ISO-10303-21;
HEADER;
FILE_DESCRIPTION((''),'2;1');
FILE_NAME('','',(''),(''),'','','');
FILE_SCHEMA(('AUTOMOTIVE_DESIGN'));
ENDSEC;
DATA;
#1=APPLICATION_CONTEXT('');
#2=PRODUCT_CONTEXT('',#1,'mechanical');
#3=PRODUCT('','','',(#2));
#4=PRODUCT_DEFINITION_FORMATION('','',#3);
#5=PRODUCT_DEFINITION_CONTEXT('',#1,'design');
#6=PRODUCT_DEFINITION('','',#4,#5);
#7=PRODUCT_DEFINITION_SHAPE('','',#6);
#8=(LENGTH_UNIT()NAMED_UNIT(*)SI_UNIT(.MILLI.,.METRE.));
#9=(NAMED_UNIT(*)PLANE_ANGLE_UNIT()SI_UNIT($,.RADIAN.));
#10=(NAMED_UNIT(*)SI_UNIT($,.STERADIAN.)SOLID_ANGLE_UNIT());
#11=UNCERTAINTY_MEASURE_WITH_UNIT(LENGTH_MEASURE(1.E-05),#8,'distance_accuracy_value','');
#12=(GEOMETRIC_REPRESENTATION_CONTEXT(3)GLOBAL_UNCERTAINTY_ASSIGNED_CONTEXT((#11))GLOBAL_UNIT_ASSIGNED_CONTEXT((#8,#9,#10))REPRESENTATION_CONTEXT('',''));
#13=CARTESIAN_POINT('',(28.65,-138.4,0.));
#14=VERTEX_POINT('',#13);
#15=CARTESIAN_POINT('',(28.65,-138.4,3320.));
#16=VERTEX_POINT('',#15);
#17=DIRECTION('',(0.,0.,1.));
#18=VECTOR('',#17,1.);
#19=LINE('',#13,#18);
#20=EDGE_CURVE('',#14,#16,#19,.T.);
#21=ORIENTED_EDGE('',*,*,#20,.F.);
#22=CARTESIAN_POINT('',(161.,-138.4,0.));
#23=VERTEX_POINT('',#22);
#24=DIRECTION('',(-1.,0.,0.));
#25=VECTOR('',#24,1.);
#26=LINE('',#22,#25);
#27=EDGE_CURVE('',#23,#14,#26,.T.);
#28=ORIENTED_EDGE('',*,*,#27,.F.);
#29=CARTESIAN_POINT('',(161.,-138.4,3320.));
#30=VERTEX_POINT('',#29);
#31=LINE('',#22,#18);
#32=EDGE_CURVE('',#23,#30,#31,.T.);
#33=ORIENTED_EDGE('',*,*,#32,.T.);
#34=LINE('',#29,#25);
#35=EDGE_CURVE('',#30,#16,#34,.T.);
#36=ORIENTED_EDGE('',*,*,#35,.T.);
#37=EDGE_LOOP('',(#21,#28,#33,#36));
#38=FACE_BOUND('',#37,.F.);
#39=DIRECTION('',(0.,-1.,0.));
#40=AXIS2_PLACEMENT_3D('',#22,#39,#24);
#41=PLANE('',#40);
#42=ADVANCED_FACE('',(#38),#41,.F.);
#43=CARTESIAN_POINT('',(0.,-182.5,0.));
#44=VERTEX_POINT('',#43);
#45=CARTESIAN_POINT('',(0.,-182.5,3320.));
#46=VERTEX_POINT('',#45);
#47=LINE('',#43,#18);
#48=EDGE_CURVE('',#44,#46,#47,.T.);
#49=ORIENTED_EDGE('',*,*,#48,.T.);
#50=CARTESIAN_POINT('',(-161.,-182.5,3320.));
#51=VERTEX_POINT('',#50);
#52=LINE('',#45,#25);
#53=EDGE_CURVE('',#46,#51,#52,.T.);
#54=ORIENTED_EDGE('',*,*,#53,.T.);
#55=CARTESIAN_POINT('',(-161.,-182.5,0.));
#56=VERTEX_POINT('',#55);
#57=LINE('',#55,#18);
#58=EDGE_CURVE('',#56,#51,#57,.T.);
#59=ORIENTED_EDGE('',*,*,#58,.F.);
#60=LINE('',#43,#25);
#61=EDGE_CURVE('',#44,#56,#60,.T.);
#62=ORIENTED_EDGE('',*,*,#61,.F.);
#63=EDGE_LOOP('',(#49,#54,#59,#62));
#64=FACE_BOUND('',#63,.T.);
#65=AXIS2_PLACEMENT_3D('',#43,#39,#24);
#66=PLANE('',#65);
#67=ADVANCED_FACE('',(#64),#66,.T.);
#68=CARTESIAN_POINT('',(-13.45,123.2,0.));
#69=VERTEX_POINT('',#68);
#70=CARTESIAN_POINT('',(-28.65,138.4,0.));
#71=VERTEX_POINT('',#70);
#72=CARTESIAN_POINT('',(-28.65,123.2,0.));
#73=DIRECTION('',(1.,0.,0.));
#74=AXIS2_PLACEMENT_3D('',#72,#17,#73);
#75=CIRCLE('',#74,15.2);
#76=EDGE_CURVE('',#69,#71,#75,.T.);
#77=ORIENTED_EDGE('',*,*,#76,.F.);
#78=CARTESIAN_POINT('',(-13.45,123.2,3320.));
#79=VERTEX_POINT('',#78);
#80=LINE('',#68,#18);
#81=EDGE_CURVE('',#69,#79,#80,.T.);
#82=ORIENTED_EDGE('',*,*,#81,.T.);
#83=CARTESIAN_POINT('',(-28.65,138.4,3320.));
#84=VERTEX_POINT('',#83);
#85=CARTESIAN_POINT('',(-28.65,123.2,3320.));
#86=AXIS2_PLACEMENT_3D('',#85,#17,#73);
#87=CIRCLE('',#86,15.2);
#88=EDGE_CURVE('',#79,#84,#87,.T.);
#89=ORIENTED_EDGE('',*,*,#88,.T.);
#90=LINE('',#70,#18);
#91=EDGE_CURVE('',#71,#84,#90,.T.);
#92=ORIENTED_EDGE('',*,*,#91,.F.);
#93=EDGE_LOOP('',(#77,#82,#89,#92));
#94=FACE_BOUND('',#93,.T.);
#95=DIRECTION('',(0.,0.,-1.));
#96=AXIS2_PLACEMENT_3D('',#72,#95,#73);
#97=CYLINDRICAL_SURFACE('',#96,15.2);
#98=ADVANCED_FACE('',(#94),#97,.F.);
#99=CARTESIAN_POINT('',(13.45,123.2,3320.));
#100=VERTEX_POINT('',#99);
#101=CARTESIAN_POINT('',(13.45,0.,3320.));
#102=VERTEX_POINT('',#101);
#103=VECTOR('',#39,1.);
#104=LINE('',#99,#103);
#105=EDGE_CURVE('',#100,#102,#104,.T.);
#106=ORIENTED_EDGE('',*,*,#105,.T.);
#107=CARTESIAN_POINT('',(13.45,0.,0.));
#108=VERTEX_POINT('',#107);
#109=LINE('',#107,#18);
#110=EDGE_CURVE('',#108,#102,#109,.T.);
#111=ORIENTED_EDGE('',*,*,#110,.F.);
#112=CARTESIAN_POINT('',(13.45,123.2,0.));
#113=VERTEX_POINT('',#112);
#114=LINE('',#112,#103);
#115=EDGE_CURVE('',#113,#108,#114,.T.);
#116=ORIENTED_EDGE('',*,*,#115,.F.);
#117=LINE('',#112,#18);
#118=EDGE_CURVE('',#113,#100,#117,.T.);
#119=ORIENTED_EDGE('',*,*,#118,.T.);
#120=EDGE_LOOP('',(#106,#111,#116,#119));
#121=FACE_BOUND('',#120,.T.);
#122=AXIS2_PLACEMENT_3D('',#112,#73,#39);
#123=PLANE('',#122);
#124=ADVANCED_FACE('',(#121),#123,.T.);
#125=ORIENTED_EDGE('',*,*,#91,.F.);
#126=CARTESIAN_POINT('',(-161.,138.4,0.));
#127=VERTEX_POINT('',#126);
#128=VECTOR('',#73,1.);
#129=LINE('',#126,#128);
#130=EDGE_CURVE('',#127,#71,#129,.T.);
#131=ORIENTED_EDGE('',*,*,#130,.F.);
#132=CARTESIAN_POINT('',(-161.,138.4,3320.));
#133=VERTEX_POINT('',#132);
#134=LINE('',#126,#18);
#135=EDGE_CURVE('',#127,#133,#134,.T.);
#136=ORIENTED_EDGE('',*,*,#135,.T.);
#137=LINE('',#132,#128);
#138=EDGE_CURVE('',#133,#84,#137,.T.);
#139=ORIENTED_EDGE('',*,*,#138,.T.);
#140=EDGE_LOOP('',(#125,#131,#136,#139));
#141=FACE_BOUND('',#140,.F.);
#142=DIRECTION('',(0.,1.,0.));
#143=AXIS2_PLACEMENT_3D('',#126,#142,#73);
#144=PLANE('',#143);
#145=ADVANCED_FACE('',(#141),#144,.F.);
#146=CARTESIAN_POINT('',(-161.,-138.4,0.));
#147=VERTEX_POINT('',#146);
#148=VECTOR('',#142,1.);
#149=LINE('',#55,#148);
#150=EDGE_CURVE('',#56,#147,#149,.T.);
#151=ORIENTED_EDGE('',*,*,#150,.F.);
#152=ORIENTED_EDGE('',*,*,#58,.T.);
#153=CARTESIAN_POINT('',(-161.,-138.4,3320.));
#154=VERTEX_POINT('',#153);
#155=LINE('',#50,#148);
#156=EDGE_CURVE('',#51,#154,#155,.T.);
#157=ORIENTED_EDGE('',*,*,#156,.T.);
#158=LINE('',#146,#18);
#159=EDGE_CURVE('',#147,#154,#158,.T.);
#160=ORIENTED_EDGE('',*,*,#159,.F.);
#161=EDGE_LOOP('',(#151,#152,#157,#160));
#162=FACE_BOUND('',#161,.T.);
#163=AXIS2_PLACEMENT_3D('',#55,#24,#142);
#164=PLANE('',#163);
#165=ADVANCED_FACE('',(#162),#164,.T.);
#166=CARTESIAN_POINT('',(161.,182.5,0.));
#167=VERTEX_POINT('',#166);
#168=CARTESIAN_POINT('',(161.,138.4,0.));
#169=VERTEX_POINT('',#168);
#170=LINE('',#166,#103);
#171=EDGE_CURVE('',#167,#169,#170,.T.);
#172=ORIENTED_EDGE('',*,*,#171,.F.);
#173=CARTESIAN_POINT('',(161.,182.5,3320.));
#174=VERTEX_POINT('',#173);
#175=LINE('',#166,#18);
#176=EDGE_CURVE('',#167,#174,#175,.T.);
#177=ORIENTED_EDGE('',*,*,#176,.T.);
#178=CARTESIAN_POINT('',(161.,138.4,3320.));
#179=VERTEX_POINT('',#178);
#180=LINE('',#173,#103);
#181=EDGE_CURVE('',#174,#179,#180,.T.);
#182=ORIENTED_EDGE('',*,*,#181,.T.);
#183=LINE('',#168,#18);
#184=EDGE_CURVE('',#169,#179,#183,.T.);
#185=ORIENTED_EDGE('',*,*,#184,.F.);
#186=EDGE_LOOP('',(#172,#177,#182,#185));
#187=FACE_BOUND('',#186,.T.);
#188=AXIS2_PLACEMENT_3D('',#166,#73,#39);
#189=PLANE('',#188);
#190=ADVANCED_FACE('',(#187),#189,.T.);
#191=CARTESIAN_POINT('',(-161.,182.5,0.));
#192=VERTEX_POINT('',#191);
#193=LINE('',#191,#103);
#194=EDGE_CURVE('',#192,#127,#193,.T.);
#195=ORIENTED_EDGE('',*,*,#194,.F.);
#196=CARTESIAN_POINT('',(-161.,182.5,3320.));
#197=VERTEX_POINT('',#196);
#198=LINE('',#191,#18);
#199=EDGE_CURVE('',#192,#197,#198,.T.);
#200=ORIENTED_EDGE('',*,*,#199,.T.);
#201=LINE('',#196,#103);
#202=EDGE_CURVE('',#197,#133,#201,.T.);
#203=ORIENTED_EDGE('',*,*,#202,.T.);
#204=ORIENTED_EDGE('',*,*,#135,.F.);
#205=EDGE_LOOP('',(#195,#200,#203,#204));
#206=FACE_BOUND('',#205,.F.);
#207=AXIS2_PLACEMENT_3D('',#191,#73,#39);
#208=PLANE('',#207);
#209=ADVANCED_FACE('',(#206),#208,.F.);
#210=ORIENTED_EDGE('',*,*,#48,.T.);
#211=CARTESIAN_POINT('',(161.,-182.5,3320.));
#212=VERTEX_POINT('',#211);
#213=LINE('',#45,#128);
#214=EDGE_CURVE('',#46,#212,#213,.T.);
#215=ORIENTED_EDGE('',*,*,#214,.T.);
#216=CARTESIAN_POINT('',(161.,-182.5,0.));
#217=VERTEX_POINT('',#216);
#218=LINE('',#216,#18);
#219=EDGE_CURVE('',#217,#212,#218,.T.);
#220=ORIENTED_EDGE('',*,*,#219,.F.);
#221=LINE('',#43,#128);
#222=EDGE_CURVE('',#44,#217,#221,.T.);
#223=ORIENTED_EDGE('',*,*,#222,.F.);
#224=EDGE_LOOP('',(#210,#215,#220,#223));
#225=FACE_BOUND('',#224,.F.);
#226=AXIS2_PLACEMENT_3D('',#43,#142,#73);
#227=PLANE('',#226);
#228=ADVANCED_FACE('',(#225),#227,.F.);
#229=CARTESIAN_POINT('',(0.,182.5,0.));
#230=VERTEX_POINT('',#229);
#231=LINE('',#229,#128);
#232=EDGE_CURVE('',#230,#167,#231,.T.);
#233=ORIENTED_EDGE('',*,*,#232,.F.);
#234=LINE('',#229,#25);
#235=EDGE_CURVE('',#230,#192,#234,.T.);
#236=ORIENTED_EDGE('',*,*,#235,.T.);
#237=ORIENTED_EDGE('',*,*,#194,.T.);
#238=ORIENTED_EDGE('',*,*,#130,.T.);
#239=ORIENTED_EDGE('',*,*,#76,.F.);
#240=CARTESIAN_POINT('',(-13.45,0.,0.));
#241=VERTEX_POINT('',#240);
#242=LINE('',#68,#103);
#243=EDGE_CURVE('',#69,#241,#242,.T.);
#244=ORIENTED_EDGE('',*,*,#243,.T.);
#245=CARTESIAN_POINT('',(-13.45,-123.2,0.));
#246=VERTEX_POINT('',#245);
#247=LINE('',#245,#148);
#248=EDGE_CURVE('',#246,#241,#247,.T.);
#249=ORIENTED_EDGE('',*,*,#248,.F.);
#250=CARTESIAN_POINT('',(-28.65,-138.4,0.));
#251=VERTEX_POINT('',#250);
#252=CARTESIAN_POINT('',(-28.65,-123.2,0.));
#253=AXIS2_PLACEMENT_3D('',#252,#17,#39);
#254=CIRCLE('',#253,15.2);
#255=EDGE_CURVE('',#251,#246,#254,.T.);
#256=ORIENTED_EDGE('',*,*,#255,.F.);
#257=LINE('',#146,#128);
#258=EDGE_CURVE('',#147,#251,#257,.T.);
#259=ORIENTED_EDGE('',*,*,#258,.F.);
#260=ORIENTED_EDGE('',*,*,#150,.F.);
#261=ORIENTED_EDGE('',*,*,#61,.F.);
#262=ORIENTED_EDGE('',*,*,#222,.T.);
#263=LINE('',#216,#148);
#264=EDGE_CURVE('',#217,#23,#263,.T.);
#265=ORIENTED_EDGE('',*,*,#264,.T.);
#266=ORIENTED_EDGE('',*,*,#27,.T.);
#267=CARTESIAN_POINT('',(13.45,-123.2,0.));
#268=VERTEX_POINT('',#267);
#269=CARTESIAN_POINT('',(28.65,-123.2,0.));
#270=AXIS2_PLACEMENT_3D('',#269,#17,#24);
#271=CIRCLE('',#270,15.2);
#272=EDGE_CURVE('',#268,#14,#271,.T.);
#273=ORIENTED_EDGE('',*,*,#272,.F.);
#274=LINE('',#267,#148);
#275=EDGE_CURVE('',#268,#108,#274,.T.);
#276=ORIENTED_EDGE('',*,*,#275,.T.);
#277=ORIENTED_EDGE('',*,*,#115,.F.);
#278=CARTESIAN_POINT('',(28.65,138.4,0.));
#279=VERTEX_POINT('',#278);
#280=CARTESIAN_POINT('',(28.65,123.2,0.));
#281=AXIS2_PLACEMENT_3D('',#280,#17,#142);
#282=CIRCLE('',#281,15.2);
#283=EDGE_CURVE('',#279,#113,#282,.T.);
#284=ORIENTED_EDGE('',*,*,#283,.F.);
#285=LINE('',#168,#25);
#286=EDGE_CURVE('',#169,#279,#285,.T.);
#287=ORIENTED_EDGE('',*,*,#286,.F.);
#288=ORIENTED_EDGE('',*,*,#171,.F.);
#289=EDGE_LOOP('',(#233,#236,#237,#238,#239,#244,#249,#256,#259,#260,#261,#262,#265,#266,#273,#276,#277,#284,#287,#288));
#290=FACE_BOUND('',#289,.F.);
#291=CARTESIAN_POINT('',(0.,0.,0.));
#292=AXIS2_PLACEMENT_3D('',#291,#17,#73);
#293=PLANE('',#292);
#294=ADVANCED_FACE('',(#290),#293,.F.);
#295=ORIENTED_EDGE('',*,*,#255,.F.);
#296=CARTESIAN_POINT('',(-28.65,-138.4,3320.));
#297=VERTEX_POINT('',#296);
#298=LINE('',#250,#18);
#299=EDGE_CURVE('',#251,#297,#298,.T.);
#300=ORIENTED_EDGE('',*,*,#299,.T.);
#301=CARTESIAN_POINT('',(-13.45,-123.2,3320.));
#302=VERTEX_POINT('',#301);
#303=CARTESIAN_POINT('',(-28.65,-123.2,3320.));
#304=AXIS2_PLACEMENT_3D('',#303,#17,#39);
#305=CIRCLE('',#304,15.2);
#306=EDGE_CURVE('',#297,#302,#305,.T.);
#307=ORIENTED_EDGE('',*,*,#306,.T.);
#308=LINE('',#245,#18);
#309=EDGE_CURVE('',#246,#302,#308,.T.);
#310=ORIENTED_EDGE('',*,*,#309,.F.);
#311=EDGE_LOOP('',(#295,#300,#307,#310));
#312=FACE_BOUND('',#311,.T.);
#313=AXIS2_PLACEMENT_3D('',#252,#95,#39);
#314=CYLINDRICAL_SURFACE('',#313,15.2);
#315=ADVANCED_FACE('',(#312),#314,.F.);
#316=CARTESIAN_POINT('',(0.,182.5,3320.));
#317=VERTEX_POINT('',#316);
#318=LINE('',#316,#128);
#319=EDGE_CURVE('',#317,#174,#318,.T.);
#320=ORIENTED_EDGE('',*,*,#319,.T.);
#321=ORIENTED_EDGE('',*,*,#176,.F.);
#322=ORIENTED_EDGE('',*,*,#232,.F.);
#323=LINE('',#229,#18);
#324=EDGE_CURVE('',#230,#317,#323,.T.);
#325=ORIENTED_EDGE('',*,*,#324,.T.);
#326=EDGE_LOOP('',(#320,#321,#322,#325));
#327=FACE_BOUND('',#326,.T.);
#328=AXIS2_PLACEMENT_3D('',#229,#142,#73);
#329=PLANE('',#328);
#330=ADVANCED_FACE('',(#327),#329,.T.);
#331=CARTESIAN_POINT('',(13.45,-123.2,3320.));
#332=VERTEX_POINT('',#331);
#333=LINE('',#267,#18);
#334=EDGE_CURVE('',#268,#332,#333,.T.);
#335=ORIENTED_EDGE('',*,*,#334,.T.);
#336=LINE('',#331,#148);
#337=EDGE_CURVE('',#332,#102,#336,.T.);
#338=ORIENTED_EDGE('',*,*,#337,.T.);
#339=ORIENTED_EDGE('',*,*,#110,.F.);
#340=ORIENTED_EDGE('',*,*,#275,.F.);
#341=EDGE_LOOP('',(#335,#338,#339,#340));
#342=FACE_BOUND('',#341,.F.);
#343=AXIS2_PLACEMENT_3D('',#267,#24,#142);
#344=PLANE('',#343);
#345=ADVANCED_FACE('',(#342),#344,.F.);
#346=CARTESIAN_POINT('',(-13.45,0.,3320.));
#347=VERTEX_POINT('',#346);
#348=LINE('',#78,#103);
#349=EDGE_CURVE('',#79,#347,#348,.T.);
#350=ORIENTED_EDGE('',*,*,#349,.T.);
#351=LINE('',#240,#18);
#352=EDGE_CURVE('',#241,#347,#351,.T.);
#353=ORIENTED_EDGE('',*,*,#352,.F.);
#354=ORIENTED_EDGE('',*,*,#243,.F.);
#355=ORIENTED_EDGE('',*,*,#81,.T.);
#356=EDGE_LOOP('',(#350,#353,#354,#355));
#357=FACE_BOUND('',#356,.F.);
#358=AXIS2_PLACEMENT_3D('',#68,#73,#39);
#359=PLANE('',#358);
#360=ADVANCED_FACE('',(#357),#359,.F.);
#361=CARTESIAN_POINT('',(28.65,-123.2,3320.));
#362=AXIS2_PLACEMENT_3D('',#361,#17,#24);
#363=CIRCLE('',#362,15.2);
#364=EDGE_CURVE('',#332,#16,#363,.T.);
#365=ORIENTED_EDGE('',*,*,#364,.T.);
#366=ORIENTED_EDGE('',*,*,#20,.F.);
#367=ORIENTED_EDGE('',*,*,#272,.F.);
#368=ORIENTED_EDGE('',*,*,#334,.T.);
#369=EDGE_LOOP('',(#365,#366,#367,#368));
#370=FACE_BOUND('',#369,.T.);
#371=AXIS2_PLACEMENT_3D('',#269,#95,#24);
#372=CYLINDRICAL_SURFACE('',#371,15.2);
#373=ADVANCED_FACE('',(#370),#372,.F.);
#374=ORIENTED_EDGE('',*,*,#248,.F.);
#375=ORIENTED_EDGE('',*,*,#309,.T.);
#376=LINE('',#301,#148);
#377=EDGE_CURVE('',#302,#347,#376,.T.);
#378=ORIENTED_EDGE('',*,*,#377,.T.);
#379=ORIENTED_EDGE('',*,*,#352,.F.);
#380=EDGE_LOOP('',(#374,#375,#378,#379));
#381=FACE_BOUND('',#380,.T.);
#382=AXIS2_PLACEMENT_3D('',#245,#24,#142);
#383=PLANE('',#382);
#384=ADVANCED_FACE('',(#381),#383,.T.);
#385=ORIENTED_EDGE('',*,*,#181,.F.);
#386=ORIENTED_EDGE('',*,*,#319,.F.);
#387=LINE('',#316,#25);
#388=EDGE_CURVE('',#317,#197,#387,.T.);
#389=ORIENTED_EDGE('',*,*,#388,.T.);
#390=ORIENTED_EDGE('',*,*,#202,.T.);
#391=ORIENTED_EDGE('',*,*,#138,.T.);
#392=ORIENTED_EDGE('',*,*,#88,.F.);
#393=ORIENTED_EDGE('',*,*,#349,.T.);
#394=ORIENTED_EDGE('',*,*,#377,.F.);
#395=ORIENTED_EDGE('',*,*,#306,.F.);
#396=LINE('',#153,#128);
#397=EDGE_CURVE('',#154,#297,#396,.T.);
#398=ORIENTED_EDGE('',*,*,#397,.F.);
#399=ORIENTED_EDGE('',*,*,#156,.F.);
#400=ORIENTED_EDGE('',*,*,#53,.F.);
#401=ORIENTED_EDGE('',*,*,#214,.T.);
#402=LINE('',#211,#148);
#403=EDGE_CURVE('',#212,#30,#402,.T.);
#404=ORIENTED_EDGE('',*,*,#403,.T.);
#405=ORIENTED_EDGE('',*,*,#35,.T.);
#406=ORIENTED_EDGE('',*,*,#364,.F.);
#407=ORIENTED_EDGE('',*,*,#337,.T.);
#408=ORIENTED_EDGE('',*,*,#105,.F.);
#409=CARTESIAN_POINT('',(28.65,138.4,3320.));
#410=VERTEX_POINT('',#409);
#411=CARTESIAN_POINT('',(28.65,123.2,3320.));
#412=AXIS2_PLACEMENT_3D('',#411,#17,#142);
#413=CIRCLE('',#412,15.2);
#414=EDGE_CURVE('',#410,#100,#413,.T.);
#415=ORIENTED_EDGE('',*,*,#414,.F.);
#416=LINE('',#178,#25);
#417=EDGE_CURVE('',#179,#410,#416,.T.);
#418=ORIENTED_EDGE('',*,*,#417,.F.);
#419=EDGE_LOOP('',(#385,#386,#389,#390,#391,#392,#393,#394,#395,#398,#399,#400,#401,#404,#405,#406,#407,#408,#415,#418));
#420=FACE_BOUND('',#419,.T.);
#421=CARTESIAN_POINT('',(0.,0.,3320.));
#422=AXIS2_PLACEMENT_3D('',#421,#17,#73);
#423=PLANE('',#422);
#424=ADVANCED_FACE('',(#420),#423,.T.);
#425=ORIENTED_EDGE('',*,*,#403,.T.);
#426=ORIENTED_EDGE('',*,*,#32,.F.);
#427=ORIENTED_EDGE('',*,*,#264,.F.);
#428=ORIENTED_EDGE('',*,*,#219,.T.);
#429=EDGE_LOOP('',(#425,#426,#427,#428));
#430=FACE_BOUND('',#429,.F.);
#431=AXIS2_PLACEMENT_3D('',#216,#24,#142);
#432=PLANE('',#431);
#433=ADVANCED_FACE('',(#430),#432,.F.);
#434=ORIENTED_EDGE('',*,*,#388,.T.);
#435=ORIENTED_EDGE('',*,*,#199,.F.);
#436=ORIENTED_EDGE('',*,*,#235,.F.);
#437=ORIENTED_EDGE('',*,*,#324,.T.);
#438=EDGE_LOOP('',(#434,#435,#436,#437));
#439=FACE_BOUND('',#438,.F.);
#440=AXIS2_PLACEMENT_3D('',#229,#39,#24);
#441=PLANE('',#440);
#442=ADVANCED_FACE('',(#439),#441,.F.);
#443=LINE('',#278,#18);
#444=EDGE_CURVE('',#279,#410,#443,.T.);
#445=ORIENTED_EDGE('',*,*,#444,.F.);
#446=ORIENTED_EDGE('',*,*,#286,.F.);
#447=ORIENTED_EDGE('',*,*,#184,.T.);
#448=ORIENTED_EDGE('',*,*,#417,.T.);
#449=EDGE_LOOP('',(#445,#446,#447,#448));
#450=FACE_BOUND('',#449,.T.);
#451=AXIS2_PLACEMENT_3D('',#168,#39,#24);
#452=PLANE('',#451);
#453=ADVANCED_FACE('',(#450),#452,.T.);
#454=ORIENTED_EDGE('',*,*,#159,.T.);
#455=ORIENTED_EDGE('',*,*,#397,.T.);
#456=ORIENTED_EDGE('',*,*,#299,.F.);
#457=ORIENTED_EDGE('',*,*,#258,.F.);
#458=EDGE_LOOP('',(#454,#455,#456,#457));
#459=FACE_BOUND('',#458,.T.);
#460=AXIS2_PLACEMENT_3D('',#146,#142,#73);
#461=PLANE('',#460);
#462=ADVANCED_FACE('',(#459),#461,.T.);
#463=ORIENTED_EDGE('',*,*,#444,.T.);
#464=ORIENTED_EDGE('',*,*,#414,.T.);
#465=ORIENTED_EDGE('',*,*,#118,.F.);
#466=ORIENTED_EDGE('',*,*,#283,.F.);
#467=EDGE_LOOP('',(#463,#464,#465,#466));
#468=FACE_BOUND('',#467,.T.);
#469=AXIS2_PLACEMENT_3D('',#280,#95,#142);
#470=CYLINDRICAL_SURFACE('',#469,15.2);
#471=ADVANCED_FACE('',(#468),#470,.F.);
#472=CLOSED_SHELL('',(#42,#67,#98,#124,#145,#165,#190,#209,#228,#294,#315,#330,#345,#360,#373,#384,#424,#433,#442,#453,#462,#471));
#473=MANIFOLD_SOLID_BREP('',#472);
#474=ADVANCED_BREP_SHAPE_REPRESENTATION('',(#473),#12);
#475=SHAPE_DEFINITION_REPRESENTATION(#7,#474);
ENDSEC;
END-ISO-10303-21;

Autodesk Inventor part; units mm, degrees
ref_plane "YZ Plane" through (0, 0, 0) normal (1, 0, 0) x (0, 1, 0)
ref_plane "Start plane" through (0, 0, 0) normal (0, 0, 1) x (1, 0, 0)
ref_plane "End plane" through (0, 0, 3320) normal (0, 0, 1) x (1, 0, 0)
sketch "Sketch" plane through (0, 0, 0) normal (0, 0, 1) x (1, 0, 0)
  line L0 (-161, -182.5) -> (-161, -138.4)
  line L1 (-161, -138.4) -> (-28.65, -138.4)
  line L2 (-13.45, -123.2) -> (-13.45, 0)
  line L3 (-13.45, 0) -> (0, 0) construction
  line L4 (0, 0) -> (0, -182.5) construction
  line L5 (0, -182.5) -> (-161, -182.5)
  line L6 (-60, 0) -> (80, 0) construction
  line L7 (0, -60) -> (0, 80) construction
  line L8 (161, -182.5) -> (161, -138.4)
  line L9 (161, -138.4) -> (28.65, -138.4)
  line L10 (13.45, -123.2) -> (13.45, 0)
  line L11 (13.45, 0) -> (0, 0) construction
  line L12 (0, -182.5) -> (161, -182.5)
  line L13 (-161, 182.5) -> (-161, 138.4)
  line L14 (-161, 138.4) -> (-28.65, 138.4)
  line L15 (-13.45, 123.2) -> (-13.45, 0)
  line L16 (0, 182.5) -> (-161, 182.5)
  line L17 (161, 182.5) -> (161, 138.4)
  line L18 (161, 138.4) -> (28.65, 138.4)
  line L19 (0, 182.5) -> (161, 182.5)
  line L20 (13.45, 123.2) -> (13.45, 0)
  arc A0 (-13.45, 123.2) -> (-28.65, 138.4) centre (-28.65, 123.2) ccw
  arc A1 (28.65, 138.4) -> (13.45, 123.2) centre (28.65, 123.2) ccw
  arc A2 (13.45, -123.2) -> (28.65, -138.4) centre (28.65, -123.2) ccw
  arc A3 (-28.65, -138.4) -> (-13.45, -123.2) centre (-28.65, -123.2) ccw
  line L21 (0, 108) -> (0, -88) construction
  line L22 (-88, 0) -> (108, 0) construction
  point P0 (-13.45, -138.4)
  point P1 (13.45, -138.4)
  point P2 (-13.45, 138.4)
  point P3 (13.45, 138.4)
  dimension "d1" = 182.5
  dimension "d2" = 44.1
  dimension "d3" = 161
  dimension "d4" = 13.45
  dimension "d10" = 15.2
extrude "Body" add sketch "Sketch" along normal up to surface (3320 mm away) from surface at 0
sketch "Sketch4" plane through (0, 0, 0) normal (0, 0, 1) x (1, 0, 0)
  line L0 (0, 0) -> (10, 0)
ref_plane "Work Plane3" through (0, 0, 0) normal (0, -1, 0) x (1, 0, 0)
sketch "Sketch5" plane through (0, 0, 0) normal (0, -1, 0) x (1, 0, 0)
  line L0 (-2, 0) -> (12, 0) projected
  line L1 (-2, 3320) -> (12, 3320) projected
  dimension "d14" = 3320
equation "\"d1\" = 0.5 * G_H"
equation "\"d2\" = G_T1"
equation "\"d3\" = 0.5 * G_W"
equation "\"d4\" = 0.5 * G_T"
equation "\"d10\" = G_IR"
equation "\"d5\" = G_L"
equation "\"G_W\" = 322"
equation "\"G_H\" = 365"
equation "\"G_T\" = 26.9"
equation "\"G_T1\" = 44.1"
equation "\"G_IR\" = 15.2"
equation "\"G_L\" = d14"
equation "\"G_OFFSET_START\" = 0"
equation "\"G_OFFSET_END\" = 0"
properties part number "AS 3679 - 310 UC - 283 - 3320" material "Steel, Mild"
